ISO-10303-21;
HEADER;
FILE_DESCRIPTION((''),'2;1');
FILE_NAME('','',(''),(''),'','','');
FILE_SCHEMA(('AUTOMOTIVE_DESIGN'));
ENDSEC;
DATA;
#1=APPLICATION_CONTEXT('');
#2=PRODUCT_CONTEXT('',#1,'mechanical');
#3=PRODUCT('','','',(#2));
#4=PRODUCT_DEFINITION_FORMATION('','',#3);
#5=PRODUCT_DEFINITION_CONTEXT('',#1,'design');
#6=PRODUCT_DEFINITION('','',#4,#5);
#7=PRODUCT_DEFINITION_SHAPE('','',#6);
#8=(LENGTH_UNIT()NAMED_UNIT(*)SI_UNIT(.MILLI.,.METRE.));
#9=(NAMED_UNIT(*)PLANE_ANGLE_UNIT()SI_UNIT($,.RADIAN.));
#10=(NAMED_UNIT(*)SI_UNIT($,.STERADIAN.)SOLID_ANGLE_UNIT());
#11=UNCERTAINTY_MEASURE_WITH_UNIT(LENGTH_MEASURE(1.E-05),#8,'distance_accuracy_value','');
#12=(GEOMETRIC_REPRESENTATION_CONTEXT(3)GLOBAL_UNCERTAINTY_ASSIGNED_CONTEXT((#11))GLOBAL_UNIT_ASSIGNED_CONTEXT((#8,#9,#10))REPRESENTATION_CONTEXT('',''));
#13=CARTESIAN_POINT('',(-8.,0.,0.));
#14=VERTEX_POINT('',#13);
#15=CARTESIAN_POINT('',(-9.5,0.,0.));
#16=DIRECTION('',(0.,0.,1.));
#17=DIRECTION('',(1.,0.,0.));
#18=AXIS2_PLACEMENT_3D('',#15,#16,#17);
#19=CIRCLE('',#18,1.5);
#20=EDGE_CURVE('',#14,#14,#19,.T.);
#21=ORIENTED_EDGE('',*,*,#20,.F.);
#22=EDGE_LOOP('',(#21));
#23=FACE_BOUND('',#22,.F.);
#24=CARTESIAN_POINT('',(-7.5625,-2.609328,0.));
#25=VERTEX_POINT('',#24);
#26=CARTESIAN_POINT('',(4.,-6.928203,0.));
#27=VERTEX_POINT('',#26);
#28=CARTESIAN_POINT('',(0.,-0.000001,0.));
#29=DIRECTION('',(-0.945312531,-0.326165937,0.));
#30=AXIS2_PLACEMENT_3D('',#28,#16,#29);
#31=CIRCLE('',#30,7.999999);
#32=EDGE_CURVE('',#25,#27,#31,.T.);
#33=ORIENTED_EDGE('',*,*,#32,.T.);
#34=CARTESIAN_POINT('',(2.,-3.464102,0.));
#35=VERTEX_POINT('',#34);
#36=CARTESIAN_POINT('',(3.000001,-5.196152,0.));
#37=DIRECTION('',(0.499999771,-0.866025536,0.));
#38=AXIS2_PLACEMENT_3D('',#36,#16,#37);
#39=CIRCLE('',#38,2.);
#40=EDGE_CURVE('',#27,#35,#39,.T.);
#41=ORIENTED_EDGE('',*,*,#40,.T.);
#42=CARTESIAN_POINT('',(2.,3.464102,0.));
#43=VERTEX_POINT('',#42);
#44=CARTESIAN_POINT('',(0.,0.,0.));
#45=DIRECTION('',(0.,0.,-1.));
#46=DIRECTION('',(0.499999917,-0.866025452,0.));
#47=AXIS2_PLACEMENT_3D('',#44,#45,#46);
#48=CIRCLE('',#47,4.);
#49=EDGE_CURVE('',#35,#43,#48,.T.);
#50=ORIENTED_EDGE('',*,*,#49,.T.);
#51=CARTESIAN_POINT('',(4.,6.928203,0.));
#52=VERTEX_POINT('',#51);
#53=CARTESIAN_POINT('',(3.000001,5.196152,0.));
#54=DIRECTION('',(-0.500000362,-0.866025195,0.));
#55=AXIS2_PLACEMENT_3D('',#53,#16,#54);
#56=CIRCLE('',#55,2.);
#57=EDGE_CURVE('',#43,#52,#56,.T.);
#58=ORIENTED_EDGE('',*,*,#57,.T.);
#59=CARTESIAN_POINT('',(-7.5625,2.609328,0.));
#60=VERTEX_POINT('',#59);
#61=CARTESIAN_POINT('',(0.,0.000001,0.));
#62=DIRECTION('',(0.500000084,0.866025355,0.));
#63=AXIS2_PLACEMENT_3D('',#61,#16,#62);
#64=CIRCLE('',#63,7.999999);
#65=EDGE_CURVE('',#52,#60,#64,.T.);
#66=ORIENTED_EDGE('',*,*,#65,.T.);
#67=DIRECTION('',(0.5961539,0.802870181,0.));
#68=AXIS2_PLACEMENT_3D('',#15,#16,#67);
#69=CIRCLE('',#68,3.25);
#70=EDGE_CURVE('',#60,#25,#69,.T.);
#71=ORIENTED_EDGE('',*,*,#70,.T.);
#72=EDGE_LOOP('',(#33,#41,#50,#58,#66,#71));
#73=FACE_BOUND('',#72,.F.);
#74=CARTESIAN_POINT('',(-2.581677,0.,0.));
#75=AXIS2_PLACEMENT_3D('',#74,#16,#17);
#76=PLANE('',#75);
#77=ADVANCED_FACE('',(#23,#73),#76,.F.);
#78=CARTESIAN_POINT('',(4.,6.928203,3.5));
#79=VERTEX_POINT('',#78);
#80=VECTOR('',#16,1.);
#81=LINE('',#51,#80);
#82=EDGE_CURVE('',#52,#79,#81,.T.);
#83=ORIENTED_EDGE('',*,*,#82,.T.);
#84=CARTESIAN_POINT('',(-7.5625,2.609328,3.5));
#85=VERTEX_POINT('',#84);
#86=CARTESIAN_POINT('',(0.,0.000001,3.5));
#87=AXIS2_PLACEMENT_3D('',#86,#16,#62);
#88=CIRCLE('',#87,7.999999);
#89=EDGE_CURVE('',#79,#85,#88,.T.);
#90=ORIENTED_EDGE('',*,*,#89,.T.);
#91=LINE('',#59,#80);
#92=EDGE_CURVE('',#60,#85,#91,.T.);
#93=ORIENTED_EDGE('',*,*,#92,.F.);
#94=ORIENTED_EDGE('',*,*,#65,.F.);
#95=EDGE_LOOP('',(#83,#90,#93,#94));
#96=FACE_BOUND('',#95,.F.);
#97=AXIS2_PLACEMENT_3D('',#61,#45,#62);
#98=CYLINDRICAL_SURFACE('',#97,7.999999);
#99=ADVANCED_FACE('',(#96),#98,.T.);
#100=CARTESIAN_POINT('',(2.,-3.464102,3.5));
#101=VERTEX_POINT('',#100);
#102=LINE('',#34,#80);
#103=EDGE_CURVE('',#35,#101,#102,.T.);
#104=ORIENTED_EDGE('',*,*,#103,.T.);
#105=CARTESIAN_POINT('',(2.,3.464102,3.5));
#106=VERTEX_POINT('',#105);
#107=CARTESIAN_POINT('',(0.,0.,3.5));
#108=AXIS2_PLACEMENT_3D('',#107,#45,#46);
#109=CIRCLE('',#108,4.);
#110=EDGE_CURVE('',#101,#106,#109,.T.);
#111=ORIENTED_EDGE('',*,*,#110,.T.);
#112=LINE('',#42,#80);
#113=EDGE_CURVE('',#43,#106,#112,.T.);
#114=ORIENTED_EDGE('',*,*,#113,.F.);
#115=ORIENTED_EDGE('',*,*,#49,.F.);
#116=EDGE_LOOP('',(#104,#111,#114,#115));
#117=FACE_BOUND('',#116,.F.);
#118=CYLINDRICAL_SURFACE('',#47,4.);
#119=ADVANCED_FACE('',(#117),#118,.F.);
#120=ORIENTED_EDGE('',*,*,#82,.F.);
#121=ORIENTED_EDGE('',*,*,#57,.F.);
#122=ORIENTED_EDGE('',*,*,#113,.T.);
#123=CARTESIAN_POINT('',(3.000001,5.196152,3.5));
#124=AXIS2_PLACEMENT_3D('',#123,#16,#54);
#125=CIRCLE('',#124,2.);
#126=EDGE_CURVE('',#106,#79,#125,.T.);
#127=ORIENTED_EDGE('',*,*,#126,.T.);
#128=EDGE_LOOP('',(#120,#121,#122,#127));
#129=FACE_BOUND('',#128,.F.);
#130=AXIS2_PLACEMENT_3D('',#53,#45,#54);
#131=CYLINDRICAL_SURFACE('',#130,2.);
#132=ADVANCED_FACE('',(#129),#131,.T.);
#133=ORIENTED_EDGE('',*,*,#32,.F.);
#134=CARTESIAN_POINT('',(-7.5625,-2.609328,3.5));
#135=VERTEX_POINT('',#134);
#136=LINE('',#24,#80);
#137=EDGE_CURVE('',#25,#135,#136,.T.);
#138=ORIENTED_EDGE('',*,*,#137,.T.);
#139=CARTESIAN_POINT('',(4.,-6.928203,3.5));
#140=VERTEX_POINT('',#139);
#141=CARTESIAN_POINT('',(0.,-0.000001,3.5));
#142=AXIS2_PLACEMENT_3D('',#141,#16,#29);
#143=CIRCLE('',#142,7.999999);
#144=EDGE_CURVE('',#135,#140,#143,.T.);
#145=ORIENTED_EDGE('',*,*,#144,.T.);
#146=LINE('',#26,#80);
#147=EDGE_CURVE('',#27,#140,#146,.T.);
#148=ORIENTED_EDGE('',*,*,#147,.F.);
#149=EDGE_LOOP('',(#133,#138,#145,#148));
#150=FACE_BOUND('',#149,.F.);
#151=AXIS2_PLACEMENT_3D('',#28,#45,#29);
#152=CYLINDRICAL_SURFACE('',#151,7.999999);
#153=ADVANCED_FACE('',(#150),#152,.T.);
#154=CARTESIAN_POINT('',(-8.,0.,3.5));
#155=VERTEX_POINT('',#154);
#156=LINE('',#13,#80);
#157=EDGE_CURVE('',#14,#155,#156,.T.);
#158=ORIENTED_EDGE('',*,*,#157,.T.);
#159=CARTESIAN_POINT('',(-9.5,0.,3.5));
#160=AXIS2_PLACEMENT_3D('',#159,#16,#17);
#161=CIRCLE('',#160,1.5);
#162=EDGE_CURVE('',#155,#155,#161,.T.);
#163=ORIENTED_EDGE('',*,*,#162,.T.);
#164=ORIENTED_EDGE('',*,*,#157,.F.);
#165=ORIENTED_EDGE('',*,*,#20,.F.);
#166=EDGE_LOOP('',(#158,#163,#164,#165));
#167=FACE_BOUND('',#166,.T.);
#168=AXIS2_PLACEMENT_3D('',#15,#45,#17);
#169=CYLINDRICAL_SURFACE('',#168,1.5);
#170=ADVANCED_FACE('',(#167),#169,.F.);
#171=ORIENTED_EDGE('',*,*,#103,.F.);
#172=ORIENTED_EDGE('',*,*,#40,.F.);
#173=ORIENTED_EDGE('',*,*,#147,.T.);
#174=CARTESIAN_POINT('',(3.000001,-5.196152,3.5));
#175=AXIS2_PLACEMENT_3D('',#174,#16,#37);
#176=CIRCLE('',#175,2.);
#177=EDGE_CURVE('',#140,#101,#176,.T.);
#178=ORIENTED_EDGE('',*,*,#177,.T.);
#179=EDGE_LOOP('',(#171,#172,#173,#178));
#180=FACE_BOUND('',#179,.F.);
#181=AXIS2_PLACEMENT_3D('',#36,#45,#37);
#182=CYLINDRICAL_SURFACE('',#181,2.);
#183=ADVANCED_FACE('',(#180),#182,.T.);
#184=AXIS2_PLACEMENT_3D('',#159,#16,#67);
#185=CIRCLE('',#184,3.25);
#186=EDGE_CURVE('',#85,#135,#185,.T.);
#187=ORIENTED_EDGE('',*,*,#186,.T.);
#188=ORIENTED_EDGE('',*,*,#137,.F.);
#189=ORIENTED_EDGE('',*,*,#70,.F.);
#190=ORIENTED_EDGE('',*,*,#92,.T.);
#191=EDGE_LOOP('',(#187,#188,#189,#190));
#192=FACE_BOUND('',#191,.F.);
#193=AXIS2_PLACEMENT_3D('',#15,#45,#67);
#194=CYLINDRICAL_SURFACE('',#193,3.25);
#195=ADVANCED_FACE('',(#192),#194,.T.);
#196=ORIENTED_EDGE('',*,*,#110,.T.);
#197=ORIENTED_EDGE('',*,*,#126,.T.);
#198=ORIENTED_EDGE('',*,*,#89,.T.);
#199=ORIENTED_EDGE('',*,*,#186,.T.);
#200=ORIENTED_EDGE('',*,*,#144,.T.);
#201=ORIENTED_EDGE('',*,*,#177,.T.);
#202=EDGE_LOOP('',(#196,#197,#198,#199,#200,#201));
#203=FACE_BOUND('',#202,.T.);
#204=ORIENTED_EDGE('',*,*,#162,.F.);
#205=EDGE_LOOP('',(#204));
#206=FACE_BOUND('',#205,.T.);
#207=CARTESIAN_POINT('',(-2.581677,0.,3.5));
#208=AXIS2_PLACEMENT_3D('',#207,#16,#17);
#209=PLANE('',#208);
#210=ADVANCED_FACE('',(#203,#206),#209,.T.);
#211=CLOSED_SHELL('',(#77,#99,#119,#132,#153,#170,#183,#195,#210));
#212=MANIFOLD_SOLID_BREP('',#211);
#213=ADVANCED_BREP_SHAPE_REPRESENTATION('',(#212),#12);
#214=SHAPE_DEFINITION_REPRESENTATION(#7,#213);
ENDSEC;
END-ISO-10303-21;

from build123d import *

# Parameters (mm, degrees)
F0_R     = 1.5
F1_DEPTH = 3.5


with BuildPart() as f1:
    # F0 (on Top) → F1 (new body)
    with BuildSketch(Plane.XY):
        with BuildLine():
            ThreePointArc((4, 6.928203), (-2.79929, 7.494263), (-7.5625, 2.609328))
            ThreePointArc((-7.5625, 2.609328), (-12.75, 0), (-7.5625, -2.609328))
            ThreePointArc((-7.5625, -2.609328), (-2.79929, -7.494263), (4, -6.928203))
            ThreePointArc((4, -6.928203), (4.732051, -4.196152), (2, -3.464102))
            ThreePointArc((2, -3.464102), (-4, 0), (2, 3.464102))
            ThreePointArc((2, 3.464102), (4.732051, 4.196152), (4, 6.928203))
        make_face()
        with Locations((-9.5, 0)):
            Circle(F0_R, mode=Mode.SUBTRACT)
    extrude(amount=F1_DEPTH)


solid = f1.part
